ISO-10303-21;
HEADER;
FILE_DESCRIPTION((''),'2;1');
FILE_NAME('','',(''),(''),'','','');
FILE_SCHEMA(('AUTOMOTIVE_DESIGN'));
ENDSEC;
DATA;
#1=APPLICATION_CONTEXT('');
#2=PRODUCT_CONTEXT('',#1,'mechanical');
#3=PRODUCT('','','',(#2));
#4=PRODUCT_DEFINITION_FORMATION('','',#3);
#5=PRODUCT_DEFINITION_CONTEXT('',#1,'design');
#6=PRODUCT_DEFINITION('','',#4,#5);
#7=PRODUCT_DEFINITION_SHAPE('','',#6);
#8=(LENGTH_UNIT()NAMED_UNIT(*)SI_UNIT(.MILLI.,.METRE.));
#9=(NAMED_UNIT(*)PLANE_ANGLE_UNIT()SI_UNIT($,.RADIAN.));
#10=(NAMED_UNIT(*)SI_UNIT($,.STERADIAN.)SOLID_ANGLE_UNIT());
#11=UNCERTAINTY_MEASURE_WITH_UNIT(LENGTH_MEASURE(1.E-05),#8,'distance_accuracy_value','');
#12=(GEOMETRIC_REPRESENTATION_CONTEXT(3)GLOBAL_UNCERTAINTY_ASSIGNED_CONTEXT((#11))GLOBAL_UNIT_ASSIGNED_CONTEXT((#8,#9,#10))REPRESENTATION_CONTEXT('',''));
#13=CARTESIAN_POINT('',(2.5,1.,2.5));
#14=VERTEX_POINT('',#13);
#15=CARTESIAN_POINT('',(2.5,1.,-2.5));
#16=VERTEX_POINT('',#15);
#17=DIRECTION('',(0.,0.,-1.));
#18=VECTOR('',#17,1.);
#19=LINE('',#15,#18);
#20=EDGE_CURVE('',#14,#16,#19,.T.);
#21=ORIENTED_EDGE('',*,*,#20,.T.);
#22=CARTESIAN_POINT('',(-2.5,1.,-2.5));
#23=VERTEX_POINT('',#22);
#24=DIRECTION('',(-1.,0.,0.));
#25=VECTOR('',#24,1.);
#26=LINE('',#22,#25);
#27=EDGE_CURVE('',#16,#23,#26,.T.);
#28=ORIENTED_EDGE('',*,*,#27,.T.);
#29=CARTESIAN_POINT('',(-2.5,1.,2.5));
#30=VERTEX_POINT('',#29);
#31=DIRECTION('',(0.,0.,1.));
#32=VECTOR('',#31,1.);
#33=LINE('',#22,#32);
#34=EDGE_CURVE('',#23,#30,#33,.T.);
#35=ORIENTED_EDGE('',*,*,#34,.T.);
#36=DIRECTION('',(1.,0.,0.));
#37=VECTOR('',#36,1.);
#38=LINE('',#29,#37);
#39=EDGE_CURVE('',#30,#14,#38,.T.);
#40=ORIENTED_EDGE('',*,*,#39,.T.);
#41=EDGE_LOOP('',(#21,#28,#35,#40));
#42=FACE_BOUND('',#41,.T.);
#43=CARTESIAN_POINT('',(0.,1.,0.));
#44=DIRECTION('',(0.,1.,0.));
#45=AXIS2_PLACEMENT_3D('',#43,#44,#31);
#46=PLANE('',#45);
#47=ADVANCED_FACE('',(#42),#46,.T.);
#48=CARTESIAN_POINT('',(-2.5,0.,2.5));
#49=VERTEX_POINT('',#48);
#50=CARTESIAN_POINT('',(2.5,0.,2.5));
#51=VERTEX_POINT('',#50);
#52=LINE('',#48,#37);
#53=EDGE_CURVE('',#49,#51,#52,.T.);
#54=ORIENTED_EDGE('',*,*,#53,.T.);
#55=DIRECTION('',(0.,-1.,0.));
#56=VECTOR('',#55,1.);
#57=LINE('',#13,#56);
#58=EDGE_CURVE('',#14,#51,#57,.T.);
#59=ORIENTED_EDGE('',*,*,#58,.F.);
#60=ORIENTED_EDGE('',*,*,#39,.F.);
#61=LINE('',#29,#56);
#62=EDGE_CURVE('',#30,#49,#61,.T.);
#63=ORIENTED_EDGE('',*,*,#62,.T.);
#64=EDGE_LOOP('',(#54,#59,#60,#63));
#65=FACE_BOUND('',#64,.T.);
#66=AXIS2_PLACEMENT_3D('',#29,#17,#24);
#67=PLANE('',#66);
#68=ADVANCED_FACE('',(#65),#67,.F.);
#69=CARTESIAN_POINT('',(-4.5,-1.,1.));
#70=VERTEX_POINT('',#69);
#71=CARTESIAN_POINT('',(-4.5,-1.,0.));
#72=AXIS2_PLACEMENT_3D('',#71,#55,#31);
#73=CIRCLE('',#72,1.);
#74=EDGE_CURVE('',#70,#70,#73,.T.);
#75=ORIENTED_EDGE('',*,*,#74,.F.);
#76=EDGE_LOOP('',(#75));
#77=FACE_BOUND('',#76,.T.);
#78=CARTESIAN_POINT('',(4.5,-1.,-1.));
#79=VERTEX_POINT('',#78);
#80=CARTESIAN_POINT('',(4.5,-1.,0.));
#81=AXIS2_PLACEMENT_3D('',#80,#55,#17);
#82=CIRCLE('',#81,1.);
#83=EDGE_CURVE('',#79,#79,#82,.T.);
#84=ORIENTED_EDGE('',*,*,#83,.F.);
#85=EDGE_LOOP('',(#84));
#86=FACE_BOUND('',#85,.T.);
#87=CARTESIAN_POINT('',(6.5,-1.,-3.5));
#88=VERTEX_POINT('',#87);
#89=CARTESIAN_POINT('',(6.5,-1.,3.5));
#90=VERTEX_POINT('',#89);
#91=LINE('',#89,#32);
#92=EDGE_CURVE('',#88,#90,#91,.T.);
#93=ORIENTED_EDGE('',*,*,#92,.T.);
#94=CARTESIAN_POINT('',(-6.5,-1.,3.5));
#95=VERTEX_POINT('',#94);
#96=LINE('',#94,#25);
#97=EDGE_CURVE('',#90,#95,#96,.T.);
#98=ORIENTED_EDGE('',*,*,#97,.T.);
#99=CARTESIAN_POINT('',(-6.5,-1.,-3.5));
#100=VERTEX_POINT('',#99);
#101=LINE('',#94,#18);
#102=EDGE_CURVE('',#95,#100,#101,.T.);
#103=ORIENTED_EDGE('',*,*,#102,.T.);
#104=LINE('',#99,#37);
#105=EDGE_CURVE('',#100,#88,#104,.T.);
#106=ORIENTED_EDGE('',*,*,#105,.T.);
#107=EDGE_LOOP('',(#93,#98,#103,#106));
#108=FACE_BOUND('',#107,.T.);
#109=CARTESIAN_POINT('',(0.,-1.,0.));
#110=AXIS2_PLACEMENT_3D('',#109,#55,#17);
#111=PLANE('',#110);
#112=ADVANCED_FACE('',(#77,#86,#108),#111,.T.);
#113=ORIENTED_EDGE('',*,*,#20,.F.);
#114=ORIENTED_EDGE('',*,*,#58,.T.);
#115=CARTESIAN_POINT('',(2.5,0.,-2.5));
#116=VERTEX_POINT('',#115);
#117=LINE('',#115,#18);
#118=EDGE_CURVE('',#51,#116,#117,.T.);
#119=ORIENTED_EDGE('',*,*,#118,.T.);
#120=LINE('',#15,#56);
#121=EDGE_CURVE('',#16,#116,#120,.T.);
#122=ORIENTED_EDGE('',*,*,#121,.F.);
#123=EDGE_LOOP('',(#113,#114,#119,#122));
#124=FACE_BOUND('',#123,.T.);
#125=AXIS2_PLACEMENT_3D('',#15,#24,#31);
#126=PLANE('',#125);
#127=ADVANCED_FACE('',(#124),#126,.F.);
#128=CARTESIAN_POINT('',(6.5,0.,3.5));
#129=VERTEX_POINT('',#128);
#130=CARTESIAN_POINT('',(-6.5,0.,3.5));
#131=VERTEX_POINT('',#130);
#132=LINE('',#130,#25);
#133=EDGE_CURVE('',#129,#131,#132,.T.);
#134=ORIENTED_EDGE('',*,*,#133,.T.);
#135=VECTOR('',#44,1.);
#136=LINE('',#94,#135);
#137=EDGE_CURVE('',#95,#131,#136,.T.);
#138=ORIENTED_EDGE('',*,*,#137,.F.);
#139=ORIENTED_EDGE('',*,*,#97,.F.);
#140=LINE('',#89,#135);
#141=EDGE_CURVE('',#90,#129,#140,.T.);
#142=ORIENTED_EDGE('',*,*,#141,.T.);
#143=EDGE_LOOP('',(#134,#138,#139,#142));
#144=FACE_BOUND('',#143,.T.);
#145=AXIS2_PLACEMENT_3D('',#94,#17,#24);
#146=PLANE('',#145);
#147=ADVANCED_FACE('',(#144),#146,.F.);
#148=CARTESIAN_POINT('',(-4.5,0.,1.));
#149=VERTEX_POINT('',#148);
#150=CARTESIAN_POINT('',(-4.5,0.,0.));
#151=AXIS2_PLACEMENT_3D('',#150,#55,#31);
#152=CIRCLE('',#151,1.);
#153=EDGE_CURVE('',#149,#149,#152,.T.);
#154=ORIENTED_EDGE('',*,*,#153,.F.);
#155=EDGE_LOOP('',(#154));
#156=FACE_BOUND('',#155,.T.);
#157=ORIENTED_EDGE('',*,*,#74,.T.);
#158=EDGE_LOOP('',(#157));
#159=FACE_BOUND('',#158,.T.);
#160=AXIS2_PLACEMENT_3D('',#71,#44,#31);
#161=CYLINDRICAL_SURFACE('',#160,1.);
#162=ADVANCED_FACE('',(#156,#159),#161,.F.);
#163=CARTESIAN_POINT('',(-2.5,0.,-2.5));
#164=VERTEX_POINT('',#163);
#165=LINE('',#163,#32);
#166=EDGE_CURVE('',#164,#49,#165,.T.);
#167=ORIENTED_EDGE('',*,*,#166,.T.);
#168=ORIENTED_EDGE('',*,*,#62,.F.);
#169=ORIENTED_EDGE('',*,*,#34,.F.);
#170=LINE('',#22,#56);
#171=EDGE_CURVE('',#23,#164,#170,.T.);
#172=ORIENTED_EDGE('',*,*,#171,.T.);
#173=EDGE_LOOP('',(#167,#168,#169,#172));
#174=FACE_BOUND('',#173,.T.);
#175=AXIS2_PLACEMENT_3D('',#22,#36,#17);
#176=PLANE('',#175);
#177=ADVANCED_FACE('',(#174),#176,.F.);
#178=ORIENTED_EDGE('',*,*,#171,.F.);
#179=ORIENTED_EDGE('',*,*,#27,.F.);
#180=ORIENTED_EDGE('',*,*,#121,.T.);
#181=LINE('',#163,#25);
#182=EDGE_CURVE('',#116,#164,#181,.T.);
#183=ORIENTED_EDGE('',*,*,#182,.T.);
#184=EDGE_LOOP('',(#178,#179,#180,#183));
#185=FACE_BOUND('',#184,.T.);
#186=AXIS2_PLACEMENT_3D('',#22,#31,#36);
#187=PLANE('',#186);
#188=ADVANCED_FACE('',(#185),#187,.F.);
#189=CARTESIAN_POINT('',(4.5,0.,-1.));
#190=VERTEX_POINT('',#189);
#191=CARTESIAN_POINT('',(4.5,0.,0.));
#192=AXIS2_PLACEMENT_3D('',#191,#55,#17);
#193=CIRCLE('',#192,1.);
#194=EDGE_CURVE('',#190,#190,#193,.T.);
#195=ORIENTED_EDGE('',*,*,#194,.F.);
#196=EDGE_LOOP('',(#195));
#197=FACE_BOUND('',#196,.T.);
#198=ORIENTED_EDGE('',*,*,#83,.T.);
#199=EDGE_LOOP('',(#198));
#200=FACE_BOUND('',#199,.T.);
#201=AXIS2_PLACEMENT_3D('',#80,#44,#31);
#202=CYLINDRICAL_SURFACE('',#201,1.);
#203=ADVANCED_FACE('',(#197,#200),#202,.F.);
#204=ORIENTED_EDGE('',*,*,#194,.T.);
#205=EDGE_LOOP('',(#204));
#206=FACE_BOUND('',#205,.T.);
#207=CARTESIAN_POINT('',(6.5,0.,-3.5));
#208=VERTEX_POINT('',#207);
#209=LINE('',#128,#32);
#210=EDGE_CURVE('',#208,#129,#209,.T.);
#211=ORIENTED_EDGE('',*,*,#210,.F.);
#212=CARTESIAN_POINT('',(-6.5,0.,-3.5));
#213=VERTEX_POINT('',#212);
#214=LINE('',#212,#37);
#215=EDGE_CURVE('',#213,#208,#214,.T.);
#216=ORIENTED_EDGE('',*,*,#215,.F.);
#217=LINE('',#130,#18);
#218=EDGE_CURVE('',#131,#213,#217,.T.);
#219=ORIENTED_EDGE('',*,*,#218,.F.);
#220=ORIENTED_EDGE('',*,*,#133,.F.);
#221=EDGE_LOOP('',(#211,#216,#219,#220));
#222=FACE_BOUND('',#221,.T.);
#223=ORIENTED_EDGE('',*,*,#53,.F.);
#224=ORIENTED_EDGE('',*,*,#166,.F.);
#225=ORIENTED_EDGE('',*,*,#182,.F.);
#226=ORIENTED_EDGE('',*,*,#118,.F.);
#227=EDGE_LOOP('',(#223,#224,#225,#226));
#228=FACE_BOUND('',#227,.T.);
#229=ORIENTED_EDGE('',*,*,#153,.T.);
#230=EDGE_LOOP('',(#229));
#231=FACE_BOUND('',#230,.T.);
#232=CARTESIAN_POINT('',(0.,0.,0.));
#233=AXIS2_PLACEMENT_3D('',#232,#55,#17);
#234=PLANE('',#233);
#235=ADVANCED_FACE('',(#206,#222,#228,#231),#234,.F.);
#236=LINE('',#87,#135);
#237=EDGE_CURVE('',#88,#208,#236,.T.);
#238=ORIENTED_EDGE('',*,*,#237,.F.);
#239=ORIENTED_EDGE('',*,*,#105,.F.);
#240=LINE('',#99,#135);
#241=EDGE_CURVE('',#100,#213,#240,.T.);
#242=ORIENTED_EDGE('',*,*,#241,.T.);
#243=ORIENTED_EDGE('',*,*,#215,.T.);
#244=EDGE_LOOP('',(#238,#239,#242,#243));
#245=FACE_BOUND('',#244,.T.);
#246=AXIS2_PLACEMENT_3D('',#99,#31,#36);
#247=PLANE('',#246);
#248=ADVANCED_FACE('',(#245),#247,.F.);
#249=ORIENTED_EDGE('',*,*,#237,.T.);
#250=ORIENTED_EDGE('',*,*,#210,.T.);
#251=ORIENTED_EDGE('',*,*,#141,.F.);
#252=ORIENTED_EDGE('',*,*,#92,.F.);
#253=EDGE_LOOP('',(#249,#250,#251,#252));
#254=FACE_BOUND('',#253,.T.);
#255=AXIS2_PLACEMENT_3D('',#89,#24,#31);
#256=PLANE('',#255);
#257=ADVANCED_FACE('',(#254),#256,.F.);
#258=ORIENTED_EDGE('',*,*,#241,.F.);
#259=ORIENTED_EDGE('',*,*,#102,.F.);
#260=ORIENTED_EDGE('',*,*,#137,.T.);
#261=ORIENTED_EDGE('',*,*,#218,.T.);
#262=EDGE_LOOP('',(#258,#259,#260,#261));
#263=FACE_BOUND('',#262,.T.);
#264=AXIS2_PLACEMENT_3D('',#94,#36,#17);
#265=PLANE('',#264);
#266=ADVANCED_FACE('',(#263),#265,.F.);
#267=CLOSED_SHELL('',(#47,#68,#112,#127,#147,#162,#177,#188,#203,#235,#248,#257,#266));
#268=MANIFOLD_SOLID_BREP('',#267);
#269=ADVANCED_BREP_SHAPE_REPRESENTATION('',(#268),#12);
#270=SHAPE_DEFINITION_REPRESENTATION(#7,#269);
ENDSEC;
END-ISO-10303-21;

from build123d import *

# Parameters (mm, degrees)
ESQUISSE1_W        = 5
ESQUISSE1_H        = 5
BOSS_EXTRU_1_DEPTH = 1
ESQUISSE2_W        = 13
ESQUISSE2_H        = 7
ESQUISSE2_R        = 1
BOSS_EXTRU_2_DEPTH = 1


with BuildPart() as part:
    # Esquisse1 → Boss.-Extru.1 (new body)
    with BuildSketch(Plane(origin=(0, 0, 0), x_dir=(1, 0, 0), z_dir=(0, 1, 0))):
        Rectangle(ESQUISSE1_W, ESQUISSE1_H)
    extrude(amount=BOSS_EXTRU_1_DEPTH)

    # Esquisse2 → Boss.-Extru.2 (add)
    with BuildSketch(Plane.XZ):
        Rectangle(ESQUISSE2_W, ESQUISSE2_H)
        with Locations((4.5, 0)):
            Circle(ESQUISSE2_R, mode=Mode.SUBTRACT)
        with Locations((-4.5, 0)):
            Circle(ESQUISSE2_R, mode=Mode.SUBTRACT)
    extrude(amount=BOSS_EXTRU_2_DEPTH)


solid = part.part
